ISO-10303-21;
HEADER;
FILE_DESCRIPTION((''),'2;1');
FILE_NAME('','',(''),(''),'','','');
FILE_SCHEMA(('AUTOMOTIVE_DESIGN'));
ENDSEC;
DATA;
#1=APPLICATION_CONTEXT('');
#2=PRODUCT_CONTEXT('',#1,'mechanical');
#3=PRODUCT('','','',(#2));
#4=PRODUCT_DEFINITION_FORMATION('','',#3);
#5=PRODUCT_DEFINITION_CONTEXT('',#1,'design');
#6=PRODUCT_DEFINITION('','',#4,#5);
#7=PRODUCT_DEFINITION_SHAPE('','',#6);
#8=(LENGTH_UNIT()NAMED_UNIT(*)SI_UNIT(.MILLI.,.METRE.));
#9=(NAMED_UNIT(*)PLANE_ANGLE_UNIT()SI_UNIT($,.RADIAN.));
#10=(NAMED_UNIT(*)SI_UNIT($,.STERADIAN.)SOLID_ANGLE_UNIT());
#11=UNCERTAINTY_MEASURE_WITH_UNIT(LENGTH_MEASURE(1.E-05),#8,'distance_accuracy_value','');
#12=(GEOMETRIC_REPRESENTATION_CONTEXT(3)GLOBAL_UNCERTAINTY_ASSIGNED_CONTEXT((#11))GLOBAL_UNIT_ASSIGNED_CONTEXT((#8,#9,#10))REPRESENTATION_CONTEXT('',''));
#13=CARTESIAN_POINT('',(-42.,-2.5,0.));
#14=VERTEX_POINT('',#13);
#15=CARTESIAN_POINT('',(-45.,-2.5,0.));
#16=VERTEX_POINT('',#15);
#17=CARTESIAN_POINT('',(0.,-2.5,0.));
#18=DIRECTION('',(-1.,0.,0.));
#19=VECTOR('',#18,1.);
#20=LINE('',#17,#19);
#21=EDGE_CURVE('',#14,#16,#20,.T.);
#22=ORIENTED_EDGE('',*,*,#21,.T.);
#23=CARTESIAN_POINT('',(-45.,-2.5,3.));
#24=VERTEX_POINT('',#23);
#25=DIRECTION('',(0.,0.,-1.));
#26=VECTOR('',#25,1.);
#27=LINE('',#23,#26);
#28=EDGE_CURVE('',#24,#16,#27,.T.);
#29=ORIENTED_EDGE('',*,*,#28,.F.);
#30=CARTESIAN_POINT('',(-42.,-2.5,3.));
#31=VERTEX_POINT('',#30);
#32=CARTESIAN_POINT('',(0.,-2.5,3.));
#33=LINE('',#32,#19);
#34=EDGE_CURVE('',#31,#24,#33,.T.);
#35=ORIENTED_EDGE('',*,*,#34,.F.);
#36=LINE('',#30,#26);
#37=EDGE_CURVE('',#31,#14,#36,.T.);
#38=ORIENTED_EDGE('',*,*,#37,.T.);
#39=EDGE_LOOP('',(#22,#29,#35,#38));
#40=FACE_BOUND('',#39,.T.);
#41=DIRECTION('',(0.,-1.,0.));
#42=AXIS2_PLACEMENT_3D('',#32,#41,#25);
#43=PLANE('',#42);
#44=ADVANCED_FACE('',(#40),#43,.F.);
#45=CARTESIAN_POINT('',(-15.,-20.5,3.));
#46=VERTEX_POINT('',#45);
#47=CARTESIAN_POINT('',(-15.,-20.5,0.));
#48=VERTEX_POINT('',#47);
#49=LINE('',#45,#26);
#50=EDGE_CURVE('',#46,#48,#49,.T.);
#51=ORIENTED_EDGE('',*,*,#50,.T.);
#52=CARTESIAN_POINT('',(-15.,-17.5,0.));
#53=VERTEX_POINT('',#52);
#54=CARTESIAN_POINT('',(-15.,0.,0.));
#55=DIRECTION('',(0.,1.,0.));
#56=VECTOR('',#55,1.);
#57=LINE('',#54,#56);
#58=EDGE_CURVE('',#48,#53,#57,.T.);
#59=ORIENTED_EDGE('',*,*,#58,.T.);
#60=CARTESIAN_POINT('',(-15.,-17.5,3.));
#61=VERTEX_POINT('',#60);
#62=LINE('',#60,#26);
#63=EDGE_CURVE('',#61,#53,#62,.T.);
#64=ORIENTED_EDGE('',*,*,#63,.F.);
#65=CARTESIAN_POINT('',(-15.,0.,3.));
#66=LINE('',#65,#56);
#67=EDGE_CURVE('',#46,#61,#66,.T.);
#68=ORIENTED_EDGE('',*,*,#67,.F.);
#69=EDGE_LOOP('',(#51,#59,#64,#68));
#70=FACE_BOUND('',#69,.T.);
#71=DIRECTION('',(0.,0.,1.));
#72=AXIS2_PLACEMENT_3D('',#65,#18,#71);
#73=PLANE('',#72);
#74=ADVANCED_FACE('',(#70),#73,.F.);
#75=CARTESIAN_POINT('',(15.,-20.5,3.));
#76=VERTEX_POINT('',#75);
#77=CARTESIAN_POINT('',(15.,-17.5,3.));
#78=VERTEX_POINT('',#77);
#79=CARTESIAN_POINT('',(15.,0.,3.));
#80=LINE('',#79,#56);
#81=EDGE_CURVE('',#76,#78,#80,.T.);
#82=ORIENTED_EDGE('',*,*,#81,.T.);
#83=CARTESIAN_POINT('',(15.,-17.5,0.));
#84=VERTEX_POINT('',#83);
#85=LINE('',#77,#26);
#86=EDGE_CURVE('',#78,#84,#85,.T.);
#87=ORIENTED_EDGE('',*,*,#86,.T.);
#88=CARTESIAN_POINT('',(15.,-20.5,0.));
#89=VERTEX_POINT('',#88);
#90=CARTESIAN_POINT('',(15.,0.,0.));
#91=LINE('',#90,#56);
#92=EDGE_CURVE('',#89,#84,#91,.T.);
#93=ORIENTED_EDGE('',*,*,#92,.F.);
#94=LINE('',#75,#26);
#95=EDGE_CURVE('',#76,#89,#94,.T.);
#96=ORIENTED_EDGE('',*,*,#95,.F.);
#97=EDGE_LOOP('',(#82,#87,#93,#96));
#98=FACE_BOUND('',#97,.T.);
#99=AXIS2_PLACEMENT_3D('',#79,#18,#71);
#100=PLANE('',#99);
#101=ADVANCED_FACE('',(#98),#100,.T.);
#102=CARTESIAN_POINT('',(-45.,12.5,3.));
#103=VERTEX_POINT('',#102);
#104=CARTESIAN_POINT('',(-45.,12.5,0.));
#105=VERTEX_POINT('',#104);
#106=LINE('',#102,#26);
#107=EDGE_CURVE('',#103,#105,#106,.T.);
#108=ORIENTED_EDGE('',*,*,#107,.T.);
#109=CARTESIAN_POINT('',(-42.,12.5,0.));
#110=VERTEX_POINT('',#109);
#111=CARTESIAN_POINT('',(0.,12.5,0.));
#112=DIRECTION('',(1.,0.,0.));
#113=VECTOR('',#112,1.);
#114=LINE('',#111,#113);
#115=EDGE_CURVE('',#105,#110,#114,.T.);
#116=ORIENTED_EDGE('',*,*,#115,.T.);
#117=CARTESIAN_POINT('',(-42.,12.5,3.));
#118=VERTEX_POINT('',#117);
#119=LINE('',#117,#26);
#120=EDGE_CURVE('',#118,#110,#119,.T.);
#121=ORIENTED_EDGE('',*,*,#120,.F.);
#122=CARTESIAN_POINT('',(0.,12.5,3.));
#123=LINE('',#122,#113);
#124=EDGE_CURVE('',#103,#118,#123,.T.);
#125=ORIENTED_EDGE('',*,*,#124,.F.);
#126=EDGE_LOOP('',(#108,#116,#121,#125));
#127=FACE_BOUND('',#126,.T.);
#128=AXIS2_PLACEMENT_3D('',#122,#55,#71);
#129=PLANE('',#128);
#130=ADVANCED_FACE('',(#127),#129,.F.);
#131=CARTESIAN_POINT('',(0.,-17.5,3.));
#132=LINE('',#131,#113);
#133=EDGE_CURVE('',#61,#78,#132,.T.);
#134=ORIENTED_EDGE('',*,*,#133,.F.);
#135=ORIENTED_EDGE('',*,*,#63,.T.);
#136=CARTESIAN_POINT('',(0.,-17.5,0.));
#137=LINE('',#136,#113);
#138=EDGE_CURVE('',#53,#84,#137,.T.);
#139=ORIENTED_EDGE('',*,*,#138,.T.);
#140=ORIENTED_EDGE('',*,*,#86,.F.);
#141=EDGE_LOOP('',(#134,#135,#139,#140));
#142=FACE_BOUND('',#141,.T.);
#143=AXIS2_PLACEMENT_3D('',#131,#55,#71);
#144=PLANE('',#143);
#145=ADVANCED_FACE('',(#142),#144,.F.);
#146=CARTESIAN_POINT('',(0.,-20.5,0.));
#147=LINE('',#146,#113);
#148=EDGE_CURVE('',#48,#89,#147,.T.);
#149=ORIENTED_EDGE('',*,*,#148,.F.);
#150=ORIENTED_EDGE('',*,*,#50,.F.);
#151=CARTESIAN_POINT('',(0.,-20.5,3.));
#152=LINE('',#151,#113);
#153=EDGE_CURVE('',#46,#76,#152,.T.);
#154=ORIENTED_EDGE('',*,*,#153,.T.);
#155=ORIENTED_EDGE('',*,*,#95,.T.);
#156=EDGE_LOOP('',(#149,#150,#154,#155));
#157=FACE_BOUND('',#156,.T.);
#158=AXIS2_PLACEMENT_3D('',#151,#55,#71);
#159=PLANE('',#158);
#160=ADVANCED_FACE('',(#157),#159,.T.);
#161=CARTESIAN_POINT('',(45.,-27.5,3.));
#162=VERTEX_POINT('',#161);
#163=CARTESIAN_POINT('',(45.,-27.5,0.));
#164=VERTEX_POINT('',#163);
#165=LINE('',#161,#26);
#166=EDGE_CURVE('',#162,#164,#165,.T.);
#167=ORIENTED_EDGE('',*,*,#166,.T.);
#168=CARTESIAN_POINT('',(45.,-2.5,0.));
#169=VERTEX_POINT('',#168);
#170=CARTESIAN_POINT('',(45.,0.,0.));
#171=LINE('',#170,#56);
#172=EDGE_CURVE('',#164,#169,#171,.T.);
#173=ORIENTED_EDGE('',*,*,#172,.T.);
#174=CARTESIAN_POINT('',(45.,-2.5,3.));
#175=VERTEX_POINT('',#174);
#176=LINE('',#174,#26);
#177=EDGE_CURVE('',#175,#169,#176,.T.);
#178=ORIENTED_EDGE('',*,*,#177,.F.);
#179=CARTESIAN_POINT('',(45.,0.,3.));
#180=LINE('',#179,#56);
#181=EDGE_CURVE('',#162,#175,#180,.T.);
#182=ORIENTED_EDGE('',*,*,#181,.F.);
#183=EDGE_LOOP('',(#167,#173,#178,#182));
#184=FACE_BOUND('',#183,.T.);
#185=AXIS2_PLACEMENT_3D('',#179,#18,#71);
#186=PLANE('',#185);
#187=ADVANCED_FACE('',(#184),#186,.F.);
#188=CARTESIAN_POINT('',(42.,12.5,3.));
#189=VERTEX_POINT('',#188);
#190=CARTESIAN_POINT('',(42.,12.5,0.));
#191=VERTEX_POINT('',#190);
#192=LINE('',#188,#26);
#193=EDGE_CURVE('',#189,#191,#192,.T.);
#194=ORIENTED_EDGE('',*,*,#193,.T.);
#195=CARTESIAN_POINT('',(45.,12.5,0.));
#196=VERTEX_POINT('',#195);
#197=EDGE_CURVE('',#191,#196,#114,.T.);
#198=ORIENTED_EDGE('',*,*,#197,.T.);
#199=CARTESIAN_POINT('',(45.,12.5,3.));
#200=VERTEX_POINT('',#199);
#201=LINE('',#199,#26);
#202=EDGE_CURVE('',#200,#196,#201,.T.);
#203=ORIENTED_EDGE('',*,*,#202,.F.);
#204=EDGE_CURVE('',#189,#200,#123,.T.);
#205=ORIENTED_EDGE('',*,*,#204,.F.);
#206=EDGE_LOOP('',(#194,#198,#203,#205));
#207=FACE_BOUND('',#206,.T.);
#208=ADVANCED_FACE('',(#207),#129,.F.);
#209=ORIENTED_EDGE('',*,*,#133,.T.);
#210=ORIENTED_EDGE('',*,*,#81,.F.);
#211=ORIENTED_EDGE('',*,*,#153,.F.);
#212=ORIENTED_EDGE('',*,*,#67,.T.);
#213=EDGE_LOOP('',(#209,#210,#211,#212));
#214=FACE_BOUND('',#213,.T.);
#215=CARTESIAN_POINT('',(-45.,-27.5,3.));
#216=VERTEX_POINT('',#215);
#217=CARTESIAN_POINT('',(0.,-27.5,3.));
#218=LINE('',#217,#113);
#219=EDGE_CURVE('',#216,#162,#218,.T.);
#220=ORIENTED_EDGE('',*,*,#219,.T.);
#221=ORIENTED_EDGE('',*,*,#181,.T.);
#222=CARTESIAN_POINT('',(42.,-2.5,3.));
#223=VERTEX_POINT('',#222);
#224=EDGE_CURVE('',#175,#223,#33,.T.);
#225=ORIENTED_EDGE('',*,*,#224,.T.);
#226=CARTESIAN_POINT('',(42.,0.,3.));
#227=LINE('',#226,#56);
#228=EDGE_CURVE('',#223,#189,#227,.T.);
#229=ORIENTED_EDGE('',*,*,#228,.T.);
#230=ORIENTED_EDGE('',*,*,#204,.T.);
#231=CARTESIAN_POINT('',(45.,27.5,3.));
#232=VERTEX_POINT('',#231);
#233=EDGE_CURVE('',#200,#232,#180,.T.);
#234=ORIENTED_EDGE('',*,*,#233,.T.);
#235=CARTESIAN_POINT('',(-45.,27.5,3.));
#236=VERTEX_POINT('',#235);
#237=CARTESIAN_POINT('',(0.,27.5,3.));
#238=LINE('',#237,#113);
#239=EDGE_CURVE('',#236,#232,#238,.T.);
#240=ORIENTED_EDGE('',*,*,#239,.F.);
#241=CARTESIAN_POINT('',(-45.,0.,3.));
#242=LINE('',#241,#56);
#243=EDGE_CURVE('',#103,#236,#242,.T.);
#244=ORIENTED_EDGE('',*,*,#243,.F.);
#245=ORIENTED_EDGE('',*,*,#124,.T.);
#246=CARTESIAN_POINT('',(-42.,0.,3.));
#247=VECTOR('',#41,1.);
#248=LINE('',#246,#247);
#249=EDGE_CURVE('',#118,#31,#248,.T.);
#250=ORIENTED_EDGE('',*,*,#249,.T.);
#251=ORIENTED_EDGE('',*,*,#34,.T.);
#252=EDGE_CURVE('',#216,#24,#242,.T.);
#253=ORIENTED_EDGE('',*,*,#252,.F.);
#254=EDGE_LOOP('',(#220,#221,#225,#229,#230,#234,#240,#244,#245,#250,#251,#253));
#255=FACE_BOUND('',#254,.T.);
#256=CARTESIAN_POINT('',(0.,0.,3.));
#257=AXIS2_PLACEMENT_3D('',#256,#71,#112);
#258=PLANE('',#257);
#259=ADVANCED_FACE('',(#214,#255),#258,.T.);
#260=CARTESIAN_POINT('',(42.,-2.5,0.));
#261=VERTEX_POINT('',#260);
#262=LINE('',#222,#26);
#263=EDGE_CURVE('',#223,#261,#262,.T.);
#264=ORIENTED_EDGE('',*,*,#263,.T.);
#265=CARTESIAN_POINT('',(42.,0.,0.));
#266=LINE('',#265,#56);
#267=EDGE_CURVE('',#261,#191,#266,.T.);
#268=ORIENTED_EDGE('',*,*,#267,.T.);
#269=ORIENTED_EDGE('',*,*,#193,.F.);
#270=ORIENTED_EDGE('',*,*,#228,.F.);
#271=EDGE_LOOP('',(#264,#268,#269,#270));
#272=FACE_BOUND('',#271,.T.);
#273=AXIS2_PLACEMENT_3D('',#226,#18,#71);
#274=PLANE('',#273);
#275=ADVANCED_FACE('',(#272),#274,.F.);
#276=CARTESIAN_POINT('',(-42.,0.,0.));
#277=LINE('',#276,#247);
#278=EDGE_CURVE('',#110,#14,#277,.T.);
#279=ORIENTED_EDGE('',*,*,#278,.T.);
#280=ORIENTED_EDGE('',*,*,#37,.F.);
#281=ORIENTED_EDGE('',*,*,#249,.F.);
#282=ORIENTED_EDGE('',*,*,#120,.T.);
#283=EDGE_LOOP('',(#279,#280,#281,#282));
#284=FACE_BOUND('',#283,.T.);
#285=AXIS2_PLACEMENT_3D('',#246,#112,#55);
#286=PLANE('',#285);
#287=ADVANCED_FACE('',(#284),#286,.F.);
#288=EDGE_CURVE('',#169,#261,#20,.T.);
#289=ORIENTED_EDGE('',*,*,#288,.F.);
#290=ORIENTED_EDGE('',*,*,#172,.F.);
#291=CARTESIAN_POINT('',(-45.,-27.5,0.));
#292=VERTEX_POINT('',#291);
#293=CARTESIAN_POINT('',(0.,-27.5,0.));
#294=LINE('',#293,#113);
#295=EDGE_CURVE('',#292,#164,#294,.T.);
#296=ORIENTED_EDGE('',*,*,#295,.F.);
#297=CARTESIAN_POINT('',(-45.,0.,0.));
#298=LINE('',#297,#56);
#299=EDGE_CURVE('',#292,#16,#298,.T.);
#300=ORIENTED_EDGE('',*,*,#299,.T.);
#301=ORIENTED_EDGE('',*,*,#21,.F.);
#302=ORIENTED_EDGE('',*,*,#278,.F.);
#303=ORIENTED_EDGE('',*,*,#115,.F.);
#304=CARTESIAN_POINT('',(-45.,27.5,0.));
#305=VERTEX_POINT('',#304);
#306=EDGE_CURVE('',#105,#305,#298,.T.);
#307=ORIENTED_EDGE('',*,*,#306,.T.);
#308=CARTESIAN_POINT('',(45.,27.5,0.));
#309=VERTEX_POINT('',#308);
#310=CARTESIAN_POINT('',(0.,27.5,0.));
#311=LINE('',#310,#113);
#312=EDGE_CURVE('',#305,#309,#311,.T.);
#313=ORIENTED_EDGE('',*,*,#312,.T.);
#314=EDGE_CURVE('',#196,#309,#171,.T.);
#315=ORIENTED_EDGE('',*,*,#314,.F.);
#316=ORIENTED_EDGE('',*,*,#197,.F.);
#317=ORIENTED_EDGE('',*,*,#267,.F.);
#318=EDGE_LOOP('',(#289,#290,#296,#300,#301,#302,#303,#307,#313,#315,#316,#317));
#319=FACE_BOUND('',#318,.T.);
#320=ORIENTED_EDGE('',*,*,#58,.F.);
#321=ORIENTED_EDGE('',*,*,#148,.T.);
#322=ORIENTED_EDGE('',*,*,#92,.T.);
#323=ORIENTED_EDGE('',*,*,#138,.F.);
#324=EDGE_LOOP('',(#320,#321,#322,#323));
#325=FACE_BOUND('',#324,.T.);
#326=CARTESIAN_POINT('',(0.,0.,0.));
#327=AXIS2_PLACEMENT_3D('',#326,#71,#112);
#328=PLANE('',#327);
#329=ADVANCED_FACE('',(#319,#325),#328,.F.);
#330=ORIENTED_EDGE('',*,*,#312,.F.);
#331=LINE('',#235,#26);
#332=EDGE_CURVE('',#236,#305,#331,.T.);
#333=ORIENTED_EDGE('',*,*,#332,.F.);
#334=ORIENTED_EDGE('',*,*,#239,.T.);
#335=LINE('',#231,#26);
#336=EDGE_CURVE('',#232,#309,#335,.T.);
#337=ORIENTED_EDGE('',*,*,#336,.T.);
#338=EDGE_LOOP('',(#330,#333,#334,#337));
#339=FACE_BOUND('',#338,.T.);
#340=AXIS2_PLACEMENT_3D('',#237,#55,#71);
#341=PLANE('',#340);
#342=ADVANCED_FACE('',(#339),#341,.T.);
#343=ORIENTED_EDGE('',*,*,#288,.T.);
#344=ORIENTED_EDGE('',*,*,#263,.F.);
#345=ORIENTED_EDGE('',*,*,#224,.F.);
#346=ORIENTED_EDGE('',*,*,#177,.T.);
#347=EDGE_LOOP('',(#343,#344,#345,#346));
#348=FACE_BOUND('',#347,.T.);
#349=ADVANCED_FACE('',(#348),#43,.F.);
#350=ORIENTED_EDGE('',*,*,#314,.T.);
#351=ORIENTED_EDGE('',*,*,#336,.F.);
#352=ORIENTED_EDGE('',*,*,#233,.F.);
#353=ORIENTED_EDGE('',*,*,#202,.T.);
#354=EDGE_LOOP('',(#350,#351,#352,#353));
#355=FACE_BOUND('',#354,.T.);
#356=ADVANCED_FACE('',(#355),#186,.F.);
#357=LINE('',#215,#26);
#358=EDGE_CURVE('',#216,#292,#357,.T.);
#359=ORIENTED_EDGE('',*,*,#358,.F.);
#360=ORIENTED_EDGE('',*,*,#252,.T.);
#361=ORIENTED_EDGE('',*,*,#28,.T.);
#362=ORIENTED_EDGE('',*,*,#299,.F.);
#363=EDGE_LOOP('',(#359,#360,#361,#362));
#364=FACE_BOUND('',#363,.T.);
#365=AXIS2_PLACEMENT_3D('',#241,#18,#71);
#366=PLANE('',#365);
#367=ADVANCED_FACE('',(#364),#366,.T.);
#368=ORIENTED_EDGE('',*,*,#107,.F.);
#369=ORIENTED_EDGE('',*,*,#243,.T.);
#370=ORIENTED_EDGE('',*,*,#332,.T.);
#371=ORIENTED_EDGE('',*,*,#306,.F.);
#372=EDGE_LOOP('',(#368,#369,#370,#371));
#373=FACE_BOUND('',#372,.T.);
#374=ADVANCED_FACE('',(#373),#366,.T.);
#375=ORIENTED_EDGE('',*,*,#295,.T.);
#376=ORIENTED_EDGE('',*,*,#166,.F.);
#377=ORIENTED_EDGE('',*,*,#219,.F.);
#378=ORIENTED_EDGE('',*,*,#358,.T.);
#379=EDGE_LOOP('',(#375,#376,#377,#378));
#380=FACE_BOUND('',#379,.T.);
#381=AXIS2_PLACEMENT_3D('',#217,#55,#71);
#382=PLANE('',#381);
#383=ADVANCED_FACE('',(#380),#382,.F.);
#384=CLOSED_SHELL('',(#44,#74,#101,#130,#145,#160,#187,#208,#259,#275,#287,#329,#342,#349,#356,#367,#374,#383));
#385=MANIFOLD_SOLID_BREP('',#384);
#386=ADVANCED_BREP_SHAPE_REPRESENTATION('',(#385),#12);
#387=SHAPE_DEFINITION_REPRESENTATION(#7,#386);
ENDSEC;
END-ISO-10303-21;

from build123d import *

# Parameters (mm, degrees)
SKETCH1_W           = 30
SKETCH1_H           = 3
BOSS_EXTRUDE1_DEPTH = 3


with BuildPart() as part:
    # Sketch1 → Boss-Extrude1 (new body)
    with BuildSketch(Plane.XY):
        Polygon((-45, 27.5), (-45, 12.5), (-42, 12.5), (-42, -2.5), (-45, -2.5), (-45, -27.5), (45, -27.5), (45, -2.5), (42, -2.5), (42, 12.5), (45, 12.5), (45, 27.5), align=None)
        with Locations((0, -19)):
            Rectangle(SKETCH1_W, SKETCH1_H, mode=Mode.SUBTRACT)
    extrude(amount=BOSS_EXTRUDE1_DEPTH)


solid = part.part
